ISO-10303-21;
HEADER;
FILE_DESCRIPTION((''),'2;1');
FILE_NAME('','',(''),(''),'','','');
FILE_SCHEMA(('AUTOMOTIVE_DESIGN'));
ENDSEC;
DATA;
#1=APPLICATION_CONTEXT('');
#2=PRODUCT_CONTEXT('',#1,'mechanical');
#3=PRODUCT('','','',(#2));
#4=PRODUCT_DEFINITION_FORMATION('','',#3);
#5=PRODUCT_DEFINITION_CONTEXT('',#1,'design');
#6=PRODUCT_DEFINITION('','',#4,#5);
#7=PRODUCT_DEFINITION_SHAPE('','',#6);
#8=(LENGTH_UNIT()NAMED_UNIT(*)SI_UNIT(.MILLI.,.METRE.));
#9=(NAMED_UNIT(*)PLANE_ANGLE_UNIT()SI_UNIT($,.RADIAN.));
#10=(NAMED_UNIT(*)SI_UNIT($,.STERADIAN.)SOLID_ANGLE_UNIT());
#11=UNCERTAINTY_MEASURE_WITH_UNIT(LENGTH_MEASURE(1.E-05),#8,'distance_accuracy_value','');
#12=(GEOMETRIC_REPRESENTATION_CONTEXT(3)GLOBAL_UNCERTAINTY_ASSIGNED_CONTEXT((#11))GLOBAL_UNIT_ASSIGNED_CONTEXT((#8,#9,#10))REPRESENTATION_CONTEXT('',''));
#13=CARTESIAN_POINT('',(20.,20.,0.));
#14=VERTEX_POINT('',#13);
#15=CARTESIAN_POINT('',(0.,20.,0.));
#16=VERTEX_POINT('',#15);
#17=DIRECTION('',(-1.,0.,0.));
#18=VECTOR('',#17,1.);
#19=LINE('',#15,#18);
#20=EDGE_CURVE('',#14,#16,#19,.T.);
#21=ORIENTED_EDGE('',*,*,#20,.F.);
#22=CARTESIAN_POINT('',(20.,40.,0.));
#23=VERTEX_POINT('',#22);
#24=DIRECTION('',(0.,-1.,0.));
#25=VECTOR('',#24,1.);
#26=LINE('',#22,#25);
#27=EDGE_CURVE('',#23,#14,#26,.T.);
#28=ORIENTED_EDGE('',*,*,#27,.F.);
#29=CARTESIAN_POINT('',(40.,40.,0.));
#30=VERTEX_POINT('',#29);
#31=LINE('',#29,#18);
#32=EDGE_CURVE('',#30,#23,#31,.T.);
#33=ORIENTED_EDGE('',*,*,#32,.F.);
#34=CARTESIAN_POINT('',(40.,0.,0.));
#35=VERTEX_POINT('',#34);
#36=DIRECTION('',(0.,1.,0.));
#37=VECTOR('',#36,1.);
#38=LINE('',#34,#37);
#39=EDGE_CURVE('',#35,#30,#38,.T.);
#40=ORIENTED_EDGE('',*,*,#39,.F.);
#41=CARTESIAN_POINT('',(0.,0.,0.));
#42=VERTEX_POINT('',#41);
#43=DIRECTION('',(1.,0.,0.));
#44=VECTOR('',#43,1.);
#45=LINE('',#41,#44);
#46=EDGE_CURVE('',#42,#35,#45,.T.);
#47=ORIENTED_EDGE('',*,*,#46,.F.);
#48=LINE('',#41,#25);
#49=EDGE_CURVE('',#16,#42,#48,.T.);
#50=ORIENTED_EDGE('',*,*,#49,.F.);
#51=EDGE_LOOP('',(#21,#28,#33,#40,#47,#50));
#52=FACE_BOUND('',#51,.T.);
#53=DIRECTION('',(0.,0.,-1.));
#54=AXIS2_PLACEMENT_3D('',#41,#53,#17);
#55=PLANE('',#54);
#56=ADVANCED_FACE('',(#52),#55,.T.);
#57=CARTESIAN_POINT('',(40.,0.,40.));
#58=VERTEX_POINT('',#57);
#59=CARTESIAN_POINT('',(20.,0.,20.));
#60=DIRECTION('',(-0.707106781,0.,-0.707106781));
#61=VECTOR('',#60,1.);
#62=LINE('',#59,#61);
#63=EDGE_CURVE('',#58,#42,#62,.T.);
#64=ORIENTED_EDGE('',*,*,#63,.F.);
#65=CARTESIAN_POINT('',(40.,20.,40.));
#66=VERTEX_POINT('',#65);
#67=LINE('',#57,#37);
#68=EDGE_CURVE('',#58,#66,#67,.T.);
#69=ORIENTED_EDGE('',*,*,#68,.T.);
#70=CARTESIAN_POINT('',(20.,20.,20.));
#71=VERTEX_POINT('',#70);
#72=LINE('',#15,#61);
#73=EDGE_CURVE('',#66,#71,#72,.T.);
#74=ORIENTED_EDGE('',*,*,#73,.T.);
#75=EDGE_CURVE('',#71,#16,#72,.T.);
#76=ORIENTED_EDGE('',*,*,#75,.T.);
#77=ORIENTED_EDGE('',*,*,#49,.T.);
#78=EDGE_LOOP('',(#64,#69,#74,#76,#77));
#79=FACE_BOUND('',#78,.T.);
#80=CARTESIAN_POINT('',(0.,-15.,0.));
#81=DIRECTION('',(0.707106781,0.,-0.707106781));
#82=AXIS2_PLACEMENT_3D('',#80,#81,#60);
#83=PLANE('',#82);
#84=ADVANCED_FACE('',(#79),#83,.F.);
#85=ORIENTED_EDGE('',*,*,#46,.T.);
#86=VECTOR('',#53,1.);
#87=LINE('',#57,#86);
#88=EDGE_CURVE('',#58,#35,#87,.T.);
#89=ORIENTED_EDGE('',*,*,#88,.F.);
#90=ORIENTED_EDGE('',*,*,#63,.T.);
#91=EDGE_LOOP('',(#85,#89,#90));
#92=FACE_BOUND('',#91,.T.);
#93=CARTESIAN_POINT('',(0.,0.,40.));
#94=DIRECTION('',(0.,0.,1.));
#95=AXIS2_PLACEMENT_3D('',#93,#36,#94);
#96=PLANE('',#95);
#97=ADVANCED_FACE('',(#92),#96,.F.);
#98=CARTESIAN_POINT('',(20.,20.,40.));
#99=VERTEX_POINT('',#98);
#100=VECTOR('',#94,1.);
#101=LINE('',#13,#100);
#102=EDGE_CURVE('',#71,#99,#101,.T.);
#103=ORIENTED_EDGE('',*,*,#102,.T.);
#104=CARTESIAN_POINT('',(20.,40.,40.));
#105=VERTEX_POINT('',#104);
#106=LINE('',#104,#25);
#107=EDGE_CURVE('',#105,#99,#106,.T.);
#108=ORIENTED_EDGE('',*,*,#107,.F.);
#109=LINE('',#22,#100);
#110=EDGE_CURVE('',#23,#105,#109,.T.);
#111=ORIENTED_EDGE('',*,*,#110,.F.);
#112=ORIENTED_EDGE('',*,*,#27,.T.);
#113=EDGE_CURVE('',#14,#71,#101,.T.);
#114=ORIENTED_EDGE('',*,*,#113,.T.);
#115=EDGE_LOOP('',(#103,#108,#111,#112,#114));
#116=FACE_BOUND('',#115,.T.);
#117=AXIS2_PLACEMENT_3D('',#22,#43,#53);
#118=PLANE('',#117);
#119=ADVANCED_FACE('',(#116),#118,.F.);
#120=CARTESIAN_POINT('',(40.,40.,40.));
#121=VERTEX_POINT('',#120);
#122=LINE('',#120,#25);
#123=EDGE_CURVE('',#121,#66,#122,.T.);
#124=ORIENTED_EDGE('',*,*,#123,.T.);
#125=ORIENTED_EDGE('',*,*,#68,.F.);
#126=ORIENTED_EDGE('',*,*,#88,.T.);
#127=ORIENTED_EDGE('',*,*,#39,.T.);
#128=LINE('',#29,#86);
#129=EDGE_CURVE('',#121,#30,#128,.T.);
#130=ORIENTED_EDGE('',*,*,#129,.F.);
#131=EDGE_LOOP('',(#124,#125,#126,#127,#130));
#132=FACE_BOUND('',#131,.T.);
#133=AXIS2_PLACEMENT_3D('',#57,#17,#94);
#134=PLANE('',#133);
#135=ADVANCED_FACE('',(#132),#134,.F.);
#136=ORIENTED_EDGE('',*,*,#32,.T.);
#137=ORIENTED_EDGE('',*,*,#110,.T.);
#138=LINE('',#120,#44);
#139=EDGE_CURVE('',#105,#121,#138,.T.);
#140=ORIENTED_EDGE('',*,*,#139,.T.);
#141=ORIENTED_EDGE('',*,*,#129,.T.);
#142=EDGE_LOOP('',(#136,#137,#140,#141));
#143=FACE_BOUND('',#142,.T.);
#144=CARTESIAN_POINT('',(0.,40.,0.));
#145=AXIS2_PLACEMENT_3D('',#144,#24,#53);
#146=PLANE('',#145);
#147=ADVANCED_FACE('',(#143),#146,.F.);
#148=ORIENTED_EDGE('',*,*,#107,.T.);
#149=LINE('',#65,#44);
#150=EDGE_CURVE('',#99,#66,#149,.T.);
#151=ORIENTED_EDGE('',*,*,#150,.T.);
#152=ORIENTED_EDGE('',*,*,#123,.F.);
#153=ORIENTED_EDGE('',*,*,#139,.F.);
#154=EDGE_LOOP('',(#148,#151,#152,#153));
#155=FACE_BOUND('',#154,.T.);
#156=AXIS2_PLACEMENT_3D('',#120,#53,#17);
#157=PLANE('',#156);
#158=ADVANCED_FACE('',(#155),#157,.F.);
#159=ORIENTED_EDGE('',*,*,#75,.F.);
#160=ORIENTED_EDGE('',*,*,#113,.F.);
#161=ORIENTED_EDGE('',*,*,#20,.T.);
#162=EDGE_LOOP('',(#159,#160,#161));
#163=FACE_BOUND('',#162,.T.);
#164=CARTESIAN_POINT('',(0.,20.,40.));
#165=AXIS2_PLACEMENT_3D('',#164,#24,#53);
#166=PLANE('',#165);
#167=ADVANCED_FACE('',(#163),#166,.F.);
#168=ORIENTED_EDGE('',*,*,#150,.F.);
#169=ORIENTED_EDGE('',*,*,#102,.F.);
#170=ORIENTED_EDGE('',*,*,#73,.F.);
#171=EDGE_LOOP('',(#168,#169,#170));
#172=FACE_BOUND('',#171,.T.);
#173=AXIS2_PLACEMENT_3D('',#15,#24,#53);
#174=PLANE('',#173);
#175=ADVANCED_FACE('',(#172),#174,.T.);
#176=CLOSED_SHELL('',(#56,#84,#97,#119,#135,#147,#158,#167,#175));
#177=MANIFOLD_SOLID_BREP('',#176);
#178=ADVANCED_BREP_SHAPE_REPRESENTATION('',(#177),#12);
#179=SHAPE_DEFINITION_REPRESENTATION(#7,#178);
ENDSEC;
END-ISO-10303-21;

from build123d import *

# Parameters (mm, degrees)
SKETCH1_W           = 40
SKETCH1_H           = 20
BOSS_EXTRUDE1_DEPTH = 40
SKETCH2_W           = 20
SKETCH2_H           = 20
BOSS_EXTRUDE2_DEPTH = 40
CUT_EXTRUDE1_DEPTH  = 20
SKETCH4_W           = 40
SKETCH4_H           = 20
CUT_EXTRUDE2_DEPTH  = 35
CUT_EXTRUDE3_DEPTH  = 35
SKETCH6_W           = 20
SKETCH6_H           = 40
BOSS_EXTRUDE3_DEPTH = 20


with BuildPart() as part:
    # Sketch1 → Boss-Extrude1 (new body)
    with BuildSketch(Plane.XY):
        with Locations((20, 10)):
            Rectangle(SKETCH1_W, SKETCH1_H)
    extrude(amount=BOSS_EXTRUDE1_DEPTH)

    # Sketch2 → Boss-Extrude2 (add)
    with BuildSketch(Plane.XY.offset(40)):
        with Locations((30, 30)):
            Rectangle(SKETCH2_W, SKETCH2_H)
    extrude(amount=-BOSS_EXTRUDE2_DEPTH)

    # Sketch3 → Cut-Extrude1 (cut)
    with BuildSketch(Plane(origin=(0, 40, 0), x_dir=(1, 0, 0), z_dir=(0, 1, 0))):
        Polygon((20, -40), (40, -20), (40, -40), align=None)
    extrude(amount=-CUT_EXTRUDE1_DEPTH, mode=Mode.SUBTRACT)

    # Sketch4 → Cut-Extrude2 (cut)
    with BuildSketch(Plane.ZY.offset(-20)):
        with Locations((20, 30)):
            Rectangle(SKETCH4_W, SKETCH4_H)
    extrude(amount=-CUT_EXTRUDE2_DEPTH, mode=Mode.SUBTRACT)

    # Sketch5 → Cut-Extrude3 (cut)
    with BuildSketch(Plane(origin=(0, 20, 0), x_dir=(1, 0, 0), z_dir=(0, 1, 0))):
        Polygon((0, 0), (40, -40), (0, -40), align=None)
    extrude(amount=-CUT_EXTRUDE3_DEPTH, mode=Mode.SUBTRACT)

    # Sketch6 → Boss-Extrude3 (add)
    with BuildSketch(Plane(origin=(0, 20, 0), x_dir=(1, 0, 0), z_dir=(0, 1, 0))):
        with Locations((30, -20)):
            Rectangle(SKETCH6_W, SKETCH6_H)
    extrude(amount=BOSS_EXTRUDE3_DEPTH)


solid = part.part
